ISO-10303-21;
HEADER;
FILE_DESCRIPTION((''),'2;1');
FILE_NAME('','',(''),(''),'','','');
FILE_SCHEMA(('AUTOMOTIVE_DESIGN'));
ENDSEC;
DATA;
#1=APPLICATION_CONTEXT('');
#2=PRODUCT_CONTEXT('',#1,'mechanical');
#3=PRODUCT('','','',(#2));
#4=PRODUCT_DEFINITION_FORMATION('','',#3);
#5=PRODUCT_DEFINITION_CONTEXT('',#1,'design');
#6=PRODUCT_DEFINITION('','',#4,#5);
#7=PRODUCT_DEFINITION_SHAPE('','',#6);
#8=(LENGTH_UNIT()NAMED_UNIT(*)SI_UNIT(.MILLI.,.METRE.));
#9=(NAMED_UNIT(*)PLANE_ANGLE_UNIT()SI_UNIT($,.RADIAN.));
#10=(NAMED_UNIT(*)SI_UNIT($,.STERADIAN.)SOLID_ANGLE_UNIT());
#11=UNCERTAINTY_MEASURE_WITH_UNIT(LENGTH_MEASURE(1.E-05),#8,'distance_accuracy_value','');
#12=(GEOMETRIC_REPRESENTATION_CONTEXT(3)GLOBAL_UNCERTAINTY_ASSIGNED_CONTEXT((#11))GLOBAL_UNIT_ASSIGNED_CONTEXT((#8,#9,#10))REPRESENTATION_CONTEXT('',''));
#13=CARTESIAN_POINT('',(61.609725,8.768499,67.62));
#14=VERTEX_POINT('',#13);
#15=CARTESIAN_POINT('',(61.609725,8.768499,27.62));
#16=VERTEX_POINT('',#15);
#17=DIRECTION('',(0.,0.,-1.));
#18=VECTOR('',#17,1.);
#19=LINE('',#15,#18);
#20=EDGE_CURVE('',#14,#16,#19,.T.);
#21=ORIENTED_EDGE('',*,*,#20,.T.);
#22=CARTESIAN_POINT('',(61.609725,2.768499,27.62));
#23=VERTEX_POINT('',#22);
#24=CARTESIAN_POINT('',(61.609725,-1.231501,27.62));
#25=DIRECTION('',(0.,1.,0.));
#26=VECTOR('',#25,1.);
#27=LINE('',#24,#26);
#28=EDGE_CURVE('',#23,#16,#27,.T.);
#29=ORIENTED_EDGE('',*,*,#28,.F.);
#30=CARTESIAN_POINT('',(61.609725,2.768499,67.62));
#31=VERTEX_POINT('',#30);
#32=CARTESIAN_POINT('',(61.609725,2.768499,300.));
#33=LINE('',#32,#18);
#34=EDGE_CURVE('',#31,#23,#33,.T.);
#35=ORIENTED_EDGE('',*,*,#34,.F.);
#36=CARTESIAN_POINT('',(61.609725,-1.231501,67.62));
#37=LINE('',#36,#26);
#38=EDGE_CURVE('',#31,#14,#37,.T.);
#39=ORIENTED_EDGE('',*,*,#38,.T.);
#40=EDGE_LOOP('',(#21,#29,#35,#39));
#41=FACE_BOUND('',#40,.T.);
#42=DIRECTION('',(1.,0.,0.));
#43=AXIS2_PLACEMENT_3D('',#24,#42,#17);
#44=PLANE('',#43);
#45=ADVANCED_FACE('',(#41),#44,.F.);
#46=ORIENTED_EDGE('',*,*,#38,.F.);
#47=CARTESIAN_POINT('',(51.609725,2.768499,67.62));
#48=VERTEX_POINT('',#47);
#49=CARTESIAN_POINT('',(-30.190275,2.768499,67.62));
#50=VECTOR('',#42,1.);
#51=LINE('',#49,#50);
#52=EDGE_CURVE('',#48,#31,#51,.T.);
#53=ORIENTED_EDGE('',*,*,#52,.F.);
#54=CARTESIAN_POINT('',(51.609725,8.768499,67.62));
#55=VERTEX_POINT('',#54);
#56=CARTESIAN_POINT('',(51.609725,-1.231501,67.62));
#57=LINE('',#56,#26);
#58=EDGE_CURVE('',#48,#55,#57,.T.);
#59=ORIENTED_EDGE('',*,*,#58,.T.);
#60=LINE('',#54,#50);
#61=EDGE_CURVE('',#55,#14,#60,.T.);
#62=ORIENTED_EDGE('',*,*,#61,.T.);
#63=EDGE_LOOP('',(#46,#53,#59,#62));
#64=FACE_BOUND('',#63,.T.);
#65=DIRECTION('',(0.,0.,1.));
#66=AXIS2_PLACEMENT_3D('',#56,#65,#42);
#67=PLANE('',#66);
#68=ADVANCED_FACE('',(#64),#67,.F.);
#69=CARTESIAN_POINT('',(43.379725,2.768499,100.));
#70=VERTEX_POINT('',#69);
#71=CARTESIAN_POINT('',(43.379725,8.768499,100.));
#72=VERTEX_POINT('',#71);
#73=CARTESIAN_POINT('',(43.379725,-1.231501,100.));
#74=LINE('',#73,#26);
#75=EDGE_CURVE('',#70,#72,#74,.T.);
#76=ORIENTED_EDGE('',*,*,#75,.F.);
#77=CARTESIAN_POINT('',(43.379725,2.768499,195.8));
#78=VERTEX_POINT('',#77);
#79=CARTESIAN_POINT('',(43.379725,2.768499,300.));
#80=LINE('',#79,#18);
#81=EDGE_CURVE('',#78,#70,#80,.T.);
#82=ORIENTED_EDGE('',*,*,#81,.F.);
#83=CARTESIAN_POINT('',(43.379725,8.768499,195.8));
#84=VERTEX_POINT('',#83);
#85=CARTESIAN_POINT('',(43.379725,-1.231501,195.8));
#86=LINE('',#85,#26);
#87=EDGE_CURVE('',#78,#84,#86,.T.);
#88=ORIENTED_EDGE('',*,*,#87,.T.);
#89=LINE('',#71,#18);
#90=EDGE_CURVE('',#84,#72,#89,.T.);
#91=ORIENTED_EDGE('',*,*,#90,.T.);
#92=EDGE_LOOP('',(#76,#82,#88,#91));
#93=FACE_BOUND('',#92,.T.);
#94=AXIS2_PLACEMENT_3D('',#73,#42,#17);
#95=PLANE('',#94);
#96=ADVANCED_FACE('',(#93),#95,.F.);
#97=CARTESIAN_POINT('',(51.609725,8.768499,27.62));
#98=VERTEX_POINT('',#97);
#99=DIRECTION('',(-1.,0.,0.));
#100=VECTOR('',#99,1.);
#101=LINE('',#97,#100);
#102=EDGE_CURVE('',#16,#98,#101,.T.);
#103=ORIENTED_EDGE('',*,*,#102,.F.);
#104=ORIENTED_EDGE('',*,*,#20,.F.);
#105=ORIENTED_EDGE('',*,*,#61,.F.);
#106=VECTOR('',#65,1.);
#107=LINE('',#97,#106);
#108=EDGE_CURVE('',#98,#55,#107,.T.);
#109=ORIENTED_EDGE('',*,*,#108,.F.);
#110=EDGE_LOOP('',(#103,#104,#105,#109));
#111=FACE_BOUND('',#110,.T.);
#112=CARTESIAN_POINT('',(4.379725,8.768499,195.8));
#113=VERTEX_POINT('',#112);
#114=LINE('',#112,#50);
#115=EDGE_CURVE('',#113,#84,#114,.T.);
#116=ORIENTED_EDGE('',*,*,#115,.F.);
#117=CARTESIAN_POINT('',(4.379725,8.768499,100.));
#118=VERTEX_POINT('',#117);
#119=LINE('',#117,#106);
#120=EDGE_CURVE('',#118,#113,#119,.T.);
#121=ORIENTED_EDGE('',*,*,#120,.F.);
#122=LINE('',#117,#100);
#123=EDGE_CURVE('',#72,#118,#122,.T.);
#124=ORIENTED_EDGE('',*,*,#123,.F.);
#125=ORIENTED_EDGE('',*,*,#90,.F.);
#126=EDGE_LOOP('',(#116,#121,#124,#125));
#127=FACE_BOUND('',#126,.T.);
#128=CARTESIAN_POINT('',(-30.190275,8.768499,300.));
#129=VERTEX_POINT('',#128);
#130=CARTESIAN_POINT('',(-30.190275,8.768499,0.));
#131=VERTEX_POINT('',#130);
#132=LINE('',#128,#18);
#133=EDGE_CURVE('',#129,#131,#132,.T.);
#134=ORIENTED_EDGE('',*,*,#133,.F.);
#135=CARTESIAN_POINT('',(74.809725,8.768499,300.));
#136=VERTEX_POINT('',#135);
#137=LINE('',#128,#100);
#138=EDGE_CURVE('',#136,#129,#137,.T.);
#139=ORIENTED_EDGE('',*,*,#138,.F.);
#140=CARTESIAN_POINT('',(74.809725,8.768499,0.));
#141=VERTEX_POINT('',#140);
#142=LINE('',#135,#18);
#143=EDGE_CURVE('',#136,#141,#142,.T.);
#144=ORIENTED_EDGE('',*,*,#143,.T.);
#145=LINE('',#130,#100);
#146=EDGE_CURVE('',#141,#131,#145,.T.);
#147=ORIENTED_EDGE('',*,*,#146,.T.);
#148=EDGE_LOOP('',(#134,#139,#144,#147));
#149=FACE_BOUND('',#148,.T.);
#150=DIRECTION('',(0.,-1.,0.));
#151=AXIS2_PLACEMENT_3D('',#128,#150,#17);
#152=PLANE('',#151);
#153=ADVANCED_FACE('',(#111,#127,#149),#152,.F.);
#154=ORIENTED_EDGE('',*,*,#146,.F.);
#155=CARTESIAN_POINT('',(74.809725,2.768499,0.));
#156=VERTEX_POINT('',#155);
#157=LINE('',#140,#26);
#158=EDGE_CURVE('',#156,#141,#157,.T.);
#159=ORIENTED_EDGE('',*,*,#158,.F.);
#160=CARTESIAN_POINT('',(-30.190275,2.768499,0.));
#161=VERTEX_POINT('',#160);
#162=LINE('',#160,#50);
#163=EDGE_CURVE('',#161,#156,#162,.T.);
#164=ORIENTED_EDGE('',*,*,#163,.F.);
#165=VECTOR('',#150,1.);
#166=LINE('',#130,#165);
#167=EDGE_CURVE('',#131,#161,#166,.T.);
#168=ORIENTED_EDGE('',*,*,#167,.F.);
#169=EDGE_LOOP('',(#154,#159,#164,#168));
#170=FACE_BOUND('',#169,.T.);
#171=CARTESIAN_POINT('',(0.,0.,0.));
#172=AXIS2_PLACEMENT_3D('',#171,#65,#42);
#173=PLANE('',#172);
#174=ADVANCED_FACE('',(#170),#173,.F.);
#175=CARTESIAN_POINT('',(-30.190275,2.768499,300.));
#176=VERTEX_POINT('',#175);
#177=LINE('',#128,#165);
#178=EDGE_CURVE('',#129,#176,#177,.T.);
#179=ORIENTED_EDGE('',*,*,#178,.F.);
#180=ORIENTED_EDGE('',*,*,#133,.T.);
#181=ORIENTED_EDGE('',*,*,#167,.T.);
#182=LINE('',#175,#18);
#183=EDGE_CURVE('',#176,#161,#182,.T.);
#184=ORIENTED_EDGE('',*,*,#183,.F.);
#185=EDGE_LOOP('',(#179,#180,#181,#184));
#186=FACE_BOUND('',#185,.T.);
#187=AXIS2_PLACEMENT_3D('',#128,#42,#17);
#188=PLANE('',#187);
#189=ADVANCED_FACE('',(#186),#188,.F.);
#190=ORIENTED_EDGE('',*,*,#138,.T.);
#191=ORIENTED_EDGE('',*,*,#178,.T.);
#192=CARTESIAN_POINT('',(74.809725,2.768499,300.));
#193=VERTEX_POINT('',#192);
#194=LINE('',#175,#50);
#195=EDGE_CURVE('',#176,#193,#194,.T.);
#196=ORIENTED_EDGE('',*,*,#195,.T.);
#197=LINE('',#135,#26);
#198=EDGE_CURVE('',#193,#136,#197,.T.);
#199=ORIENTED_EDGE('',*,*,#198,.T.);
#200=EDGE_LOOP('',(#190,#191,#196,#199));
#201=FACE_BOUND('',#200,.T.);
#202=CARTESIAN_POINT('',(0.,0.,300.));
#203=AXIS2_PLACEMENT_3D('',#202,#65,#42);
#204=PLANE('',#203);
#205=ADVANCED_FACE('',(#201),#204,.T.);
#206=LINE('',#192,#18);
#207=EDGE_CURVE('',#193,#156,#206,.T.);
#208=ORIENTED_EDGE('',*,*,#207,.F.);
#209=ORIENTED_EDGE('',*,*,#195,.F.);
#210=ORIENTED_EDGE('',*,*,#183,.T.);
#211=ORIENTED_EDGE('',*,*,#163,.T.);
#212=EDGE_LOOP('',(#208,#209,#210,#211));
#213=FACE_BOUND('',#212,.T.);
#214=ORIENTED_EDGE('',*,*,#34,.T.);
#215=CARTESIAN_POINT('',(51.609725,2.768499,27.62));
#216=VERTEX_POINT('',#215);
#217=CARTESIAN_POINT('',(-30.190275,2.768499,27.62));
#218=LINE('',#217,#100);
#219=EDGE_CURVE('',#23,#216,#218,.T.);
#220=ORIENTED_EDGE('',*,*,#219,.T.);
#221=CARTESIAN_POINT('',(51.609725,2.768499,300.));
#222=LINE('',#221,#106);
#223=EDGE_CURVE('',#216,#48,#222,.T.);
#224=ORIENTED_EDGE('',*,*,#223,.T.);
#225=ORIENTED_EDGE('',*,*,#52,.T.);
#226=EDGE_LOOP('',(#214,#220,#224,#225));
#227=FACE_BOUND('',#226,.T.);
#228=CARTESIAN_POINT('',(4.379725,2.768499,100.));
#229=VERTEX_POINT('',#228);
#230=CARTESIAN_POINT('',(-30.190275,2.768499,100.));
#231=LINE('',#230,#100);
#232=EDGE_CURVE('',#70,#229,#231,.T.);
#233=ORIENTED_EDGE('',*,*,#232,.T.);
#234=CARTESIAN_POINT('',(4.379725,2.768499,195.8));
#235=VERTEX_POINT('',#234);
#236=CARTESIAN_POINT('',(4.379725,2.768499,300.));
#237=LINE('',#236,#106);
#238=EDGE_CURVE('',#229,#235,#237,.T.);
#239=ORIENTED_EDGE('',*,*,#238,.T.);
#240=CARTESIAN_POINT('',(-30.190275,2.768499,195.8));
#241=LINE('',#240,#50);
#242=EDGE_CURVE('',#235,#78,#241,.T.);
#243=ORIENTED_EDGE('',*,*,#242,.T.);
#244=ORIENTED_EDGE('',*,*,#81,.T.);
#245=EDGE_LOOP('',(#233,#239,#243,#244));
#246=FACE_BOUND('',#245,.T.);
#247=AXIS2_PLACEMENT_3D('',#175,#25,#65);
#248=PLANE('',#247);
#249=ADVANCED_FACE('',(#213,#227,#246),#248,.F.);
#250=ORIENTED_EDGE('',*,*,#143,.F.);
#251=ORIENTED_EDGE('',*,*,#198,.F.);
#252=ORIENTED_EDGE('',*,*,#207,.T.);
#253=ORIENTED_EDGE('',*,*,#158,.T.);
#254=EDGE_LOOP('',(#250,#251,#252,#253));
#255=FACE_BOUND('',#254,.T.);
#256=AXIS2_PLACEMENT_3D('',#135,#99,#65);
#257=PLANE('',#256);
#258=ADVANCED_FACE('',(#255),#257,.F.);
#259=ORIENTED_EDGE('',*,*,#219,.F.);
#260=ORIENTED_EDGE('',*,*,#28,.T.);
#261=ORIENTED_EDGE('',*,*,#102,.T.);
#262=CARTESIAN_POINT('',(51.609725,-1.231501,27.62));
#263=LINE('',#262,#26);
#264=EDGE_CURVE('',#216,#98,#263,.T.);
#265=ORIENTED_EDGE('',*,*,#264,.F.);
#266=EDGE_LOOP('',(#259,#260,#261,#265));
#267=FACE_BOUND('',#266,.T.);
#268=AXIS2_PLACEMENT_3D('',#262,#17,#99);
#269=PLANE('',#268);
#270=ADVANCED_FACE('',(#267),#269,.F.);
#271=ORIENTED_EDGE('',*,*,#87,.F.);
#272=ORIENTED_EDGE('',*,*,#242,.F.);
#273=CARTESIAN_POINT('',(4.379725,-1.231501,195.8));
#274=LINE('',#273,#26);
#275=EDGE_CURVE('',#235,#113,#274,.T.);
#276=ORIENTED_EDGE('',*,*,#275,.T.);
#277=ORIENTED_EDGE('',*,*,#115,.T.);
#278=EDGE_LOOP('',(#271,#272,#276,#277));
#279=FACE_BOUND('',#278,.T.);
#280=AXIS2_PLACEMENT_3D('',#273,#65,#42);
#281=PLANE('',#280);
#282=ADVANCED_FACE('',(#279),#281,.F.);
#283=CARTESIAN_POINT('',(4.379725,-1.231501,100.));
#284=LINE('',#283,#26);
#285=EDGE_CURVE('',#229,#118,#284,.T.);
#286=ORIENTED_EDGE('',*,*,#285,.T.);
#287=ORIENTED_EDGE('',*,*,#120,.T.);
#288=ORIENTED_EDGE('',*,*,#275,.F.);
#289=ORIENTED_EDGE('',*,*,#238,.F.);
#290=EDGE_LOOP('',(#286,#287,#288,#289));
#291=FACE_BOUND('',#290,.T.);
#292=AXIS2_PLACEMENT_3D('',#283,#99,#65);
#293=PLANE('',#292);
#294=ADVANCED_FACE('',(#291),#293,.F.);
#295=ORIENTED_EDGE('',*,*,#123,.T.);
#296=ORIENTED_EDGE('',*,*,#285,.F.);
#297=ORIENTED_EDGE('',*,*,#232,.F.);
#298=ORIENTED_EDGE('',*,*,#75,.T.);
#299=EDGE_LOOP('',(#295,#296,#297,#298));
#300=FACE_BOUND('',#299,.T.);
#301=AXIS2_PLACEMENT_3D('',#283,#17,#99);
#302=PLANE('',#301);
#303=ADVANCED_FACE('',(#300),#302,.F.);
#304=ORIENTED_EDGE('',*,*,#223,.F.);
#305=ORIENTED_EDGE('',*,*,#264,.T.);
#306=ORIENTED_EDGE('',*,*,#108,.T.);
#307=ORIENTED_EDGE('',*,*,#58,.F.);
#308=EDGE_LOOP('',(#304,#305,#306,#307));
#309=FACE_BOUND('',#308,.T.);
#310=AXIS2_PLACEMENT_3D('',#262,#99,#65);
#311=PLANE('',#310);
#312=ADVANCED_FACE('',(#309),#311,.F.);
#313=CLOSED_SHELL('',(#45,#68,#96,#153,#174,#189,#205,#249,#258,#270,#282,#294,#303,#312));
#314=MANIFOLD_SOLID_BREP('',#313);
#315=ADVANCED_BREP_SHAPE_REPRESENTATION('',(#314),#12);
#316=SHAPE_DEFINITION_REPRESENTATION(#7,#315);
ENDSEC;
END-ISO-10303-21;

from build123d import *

# Parameters (mm, degrees)
SKETCH1_W           = 105
SKETCH1_H           = 6
BOSS_EXTRUDE1_DEPTH = 300
SKETCH2_W           = 10
SKETCH2_H           = 40
CUT_EXTRUDE1_DEPTH  = 10
SKETCH3_W           = 39
SKETCH3_H           = 95.8
CUT_EXTRUDE2_DEPTH  = 10


with BuildPart() as part:
    # Sketch1 → Boss-Extrude1 (new body)
    with BuildSketch(Plane.XY):
        with Locations((22.309725159, 5.768498943)):
            Rectangle(SKETCH1_W, SKETCH1_H)
    extrude(amount=BOSS_EXTRUDE1_DEPTH)

    # Sketch2 → Cut-Extrude1 (cut)
    with BuildSketch(Plane(origin=(0, 8.768498943, 0), x_dir=(1, 0, 0), z_dir=(0, 1, 0))):
        with Locations((56.609725159, -47.62)):
            Rectangle(SKETCH2_W, SKETCH2_H)
    extrude(amount=-CUT_EXTRUDE1_DEPTH, mode=Mode.SUBTRACT)

    # Sketch3 → Cut-Extrude2 (cut)
    with BuildSketch(Plane(origin=(0, 8.768498943, 0), x_dir=(1, 0, 0), z_dir=(0, 1, 0))):
        with Locations((23.879725159, -147.9)):
            Rectangle(SKETCH3_W, SKETCH3_H)
    extrude(amount=-CUT_EXTRUDE2_DEPTH, mode=Mode.SUBTRACT)


solid = part.part
